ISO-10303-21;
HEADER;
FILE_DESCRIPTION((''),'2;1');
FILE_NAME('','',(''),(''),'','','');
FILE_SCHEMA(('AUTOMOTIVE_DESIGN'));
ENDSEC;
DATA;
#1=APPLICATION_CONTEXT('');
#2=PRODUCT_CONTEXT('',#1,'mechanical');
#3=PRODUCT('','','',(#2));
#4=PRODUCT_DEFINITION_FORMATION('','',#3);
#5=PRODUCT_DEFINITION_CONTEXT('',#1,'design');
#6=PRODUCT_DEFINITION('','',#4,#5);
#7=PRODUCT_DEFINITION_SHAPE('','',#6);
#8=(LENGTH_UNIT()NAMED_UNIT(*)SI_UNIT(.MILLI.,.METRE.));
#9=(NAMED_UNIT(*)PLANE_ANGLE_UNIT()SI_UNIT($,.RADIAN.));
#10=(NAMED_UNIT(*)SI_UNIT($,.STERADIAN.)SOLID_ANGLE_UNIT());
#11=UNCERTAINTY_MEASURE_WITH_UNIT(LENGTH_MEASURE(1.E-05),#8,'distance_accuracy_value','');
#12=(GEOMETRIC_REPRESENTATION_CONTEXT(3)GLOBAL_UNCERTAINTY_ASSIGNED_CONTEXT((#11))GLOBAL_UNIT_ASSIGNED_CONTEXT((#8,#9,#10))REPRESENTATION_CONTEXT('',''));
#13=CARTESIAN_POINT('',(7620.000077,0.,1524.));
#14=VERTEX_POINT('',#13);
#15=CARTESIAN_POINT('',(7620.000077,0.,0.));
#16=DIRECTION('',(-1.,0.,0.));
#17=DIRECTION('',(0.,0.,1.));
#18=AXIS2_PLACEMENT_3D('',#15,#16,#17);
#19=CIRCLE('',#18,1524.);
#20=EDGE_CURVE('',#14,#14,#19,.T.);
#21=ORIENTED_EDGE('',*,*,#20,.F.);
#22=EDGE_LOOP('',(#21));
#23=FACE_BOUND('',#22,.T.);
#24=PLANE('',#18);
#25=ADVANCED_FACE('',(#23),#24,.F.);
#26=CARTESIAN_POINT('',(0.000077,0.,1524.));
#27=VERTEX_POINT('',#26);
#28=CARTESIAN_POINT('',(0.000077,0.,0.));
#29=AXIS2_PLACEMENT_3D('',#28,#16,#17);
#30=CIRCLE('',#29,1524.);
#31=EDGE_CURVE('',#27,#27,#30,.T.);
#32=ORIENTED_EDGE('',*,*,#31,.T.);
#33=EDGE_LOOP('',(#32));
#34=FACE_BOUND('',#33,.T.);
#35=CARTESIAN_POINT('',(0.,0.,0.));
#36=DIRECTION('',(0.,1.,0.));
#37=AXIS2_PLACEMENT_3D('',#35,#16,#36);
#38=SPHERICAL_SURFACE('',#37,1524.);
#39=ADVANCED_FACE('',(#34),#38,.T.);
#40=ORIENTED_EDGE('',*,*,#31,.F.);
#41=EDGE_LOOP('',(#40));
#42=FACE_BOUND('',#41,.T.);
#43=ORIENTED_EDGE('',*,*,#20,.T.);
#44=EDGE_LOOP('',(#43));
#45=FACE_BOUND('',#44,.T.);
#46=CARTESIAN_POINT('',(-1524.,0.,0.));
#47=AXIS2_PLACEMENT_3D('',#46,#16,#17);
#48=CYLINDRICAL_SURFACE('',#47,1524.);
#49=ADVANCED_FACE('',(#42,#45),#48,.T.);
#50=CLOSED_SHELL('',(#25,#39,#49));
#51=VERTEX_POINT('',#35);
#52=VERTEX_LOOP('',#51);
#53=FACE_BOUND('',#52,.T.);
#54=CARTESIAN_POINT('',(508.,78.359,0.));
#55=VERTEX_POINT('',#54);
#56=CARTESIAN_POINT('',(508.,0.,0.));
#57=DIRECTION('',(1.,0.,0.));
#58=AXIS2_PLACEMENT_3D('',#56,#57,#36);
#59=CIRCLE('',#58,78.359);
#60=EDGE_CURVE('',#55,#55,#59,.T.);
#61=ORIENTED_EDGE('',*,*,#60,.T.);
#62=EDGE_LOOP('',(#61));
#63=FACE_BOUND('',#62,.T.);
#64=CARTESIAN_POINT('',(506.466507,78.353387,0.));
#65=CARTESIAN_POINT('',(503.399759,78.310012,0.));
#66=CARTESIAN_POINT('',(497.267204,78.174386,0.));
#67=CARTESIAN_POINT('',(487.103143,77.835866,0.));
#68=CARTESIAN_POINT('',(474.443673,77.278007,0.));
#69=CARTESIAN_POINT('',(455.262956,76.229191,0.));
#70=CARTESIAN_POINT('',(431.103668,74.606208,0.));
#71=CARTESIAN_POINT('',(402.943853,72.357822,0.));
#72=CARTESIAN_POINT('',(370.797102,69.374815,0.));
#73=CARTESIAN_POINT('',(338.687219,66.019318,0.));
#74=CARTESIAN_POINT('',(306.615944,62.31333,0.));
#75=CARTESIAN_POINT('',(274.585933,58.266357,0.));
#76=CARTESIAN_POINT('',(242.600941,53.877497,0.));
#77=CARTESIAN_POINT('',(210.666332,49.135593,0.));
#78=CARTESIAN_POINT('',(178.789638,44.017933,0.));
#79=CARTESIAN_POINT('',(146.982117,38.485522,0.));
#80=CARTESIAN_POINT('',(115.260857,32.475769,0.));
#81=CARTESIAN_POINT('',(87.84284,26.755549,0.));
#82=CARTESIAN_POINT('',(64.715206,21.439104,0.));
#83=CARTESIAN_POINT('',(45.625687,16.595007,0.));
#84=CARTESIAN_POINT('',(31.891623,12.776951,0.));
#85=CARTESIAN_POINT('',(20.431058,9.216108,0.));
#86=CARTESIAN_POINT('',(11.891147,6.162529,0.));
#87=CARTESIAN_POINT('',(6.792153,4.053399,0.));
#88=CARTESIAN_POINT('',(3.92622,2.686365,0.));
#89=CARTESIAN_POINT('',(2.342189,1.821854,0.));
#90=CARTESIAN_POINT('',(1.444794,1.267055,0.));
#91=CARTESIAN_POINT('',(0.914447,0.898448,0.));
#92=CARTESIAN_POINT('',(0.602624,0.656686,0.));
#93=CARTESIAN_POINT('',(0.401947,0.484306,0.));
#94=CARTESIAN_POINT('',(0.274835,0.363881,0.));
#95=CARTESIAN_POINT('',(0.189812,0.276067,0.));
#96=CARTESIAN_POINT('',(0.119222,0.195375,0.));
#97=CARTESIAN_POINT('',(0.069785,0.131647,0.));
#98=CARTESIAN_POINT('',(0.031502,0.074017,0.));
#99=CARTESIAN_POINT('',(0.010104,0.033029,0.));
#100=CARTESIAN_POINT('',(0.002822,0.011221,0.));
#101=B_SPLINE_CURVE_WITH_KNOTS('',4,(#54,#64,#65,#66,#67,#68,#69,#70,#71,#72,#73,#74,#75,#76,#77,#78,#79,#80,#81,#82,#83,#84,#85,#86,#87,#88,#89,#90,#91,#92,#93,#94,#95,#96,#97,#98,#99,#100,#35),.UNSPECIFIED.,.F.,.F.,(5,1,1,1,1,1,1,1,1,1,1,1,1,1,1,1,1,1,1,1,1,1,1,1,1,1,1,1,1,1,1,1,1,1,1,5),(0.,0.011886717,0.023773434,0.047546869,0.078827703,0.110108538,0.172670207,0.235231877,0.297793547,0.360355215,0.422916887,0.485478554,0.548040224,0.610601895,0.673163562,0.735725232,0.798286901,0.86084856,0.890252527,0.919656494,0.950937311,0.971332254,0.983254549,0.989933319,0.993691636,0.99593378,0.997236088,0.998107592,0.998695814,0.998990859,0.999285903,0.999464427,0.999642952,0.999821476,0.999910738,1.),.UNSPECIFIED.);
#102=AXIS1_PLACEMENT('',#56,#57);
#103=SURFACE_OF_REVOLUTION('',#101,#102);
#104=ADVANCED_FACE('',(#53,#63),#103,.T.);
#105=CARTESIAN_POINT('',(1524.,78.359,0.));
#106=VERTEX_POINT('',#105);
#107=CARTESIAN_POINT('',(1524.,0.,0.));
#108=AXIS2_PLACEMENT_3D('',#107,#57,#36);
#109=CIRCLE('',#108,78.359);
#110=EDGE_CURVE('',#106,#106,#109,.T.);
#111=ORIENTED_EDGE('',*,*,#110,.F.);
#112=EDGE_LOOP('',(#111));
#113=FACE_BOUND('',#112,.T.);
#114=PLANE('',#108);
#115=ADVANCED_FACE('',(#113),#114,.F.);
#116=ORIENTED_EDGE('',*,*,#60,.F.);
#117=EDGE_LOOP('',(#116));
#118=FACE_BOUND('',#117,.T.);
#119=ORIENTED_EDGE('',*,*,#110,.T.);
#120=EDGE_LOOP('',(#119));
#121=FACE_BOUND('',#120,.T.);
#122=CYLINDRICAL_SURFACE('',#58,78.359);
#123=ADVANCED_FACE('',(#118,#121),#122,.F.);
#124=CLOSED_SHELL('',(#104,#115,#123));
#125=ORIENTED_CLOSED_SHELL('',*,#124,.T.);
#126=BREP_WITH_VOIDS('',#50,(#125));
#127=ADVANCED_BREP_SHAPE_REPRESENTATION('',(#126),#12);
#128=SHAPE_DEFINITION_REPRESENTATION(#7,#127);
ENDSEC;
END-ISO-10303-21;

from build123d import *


with BuildPart() as part:
    # Sketch8 → Revolve8 (revolve)
    with BuildSketch(Plane.XY):
        with BuildLine():
            Line((508, 0), (0, 0))
            add(Edge.make_bspline(
                [(0, 0), (0.002822011, 0.011220682), (0.01010376, 0.033028979), (0.031502321, 0.074017024), (0.069784833, 0.131646678), (0.119222388, 0.195375451), (0.189812425, 0.276067496), (0.274835356, 0.363880791), (0.401947452, 0.484306453), (0.602624186, 0.656685654), (0.914446886, 0.898448081), (1.444794417, 1.267055392), (2.342189308, 1.821854316), (3.926219982, 2.68636524), (6.792153336, 4.05339861), (11.891147147, 6.162529219), (20.431057711, 9.216107653), (31.891623295, 12.776951203), (45.625686568, 16.59500746), (64.715206078, 21.439103902), (87.842839522, 26.755548696), (115.260857413, 32.475768916), (146.98211669, 38.485522007), (178.789638074, 44.017933119), (210.666331669, 49.135593448), (242.60094075, 53.877496918), (274.585932559, 58.26635678), (306.615943821, 62.313330004), (338.687218842, 66.019317565), (370.797101622, 69.374815155), (402.943853119, 72.357821551), (431.103668314, 74.606208089), (455.262955994, 76.229190957), (474.443672775, 77.278006717), (487.103143355, 77.83586579), (497.267203511, 78.174386426), (503.399758723, 78.310011701), (506.466506539, 78.353386553), (508, 78.359)],
                knots=[0, 0, 0, 0, 0, 8.9262e-05, 0.000178524, 0.000357048, 0.000535573, 0.000714097, 0.001009141, 0.001304186, 0.001892408, 0.002763912, 0.00406622, 0.006308364, 0.010066681, 0.016745451, 0.028667746, 0.049062689, 0.080343506, 0.109747473, 0.13915144, 0.201713099, 0.264274768, 0.326836438, 0.389398105, 0.451959776, 0.514521446, 0.577083113, 0.639644785, 0.702206453, 0.764768123, 0.827329793, 0.889891462, 0.921172297, 0.952453131, 0.976226566, 0.988113283, 1, 1, 1, 1, 1], degree=4))
            Line((508, 78.359), (762, 78.359))
            Line((762, 78.359), (1524, 78.359))
            Line((1524, 78.359), (1524, 0))
            Line((1524, 0), (762, 0))
            Line((762, 0), (508, 0))
        make_face()
    revolve(axis=Axis((508, 0, 0), (-1, 0, 0)))


with BuildPart() as body_2:
    # Sketch9 → Revolve9 (revolve)
    with BuildSketch(Plane.XY):
        with BuildLine():
            Line((-1524, 0), (7620.000077199, 0))
            Line((7620.000077199, 0), (7620.000077199, 1524))
            Line((7620.000077199, 1524), (7.7199e-05, 1524))
            ThreePointArc((7.7199e-05, 1524), (-1077.630707234, 1077.630761822), (-1524, 0))
        make_face()
    revolve(axis=Axis((-1524, 0, 0), (1, 0, 0)))

    # Combine1: cut part
    add(part.part, mode=Mode.SUBTRACT)


solid = body_2.part
